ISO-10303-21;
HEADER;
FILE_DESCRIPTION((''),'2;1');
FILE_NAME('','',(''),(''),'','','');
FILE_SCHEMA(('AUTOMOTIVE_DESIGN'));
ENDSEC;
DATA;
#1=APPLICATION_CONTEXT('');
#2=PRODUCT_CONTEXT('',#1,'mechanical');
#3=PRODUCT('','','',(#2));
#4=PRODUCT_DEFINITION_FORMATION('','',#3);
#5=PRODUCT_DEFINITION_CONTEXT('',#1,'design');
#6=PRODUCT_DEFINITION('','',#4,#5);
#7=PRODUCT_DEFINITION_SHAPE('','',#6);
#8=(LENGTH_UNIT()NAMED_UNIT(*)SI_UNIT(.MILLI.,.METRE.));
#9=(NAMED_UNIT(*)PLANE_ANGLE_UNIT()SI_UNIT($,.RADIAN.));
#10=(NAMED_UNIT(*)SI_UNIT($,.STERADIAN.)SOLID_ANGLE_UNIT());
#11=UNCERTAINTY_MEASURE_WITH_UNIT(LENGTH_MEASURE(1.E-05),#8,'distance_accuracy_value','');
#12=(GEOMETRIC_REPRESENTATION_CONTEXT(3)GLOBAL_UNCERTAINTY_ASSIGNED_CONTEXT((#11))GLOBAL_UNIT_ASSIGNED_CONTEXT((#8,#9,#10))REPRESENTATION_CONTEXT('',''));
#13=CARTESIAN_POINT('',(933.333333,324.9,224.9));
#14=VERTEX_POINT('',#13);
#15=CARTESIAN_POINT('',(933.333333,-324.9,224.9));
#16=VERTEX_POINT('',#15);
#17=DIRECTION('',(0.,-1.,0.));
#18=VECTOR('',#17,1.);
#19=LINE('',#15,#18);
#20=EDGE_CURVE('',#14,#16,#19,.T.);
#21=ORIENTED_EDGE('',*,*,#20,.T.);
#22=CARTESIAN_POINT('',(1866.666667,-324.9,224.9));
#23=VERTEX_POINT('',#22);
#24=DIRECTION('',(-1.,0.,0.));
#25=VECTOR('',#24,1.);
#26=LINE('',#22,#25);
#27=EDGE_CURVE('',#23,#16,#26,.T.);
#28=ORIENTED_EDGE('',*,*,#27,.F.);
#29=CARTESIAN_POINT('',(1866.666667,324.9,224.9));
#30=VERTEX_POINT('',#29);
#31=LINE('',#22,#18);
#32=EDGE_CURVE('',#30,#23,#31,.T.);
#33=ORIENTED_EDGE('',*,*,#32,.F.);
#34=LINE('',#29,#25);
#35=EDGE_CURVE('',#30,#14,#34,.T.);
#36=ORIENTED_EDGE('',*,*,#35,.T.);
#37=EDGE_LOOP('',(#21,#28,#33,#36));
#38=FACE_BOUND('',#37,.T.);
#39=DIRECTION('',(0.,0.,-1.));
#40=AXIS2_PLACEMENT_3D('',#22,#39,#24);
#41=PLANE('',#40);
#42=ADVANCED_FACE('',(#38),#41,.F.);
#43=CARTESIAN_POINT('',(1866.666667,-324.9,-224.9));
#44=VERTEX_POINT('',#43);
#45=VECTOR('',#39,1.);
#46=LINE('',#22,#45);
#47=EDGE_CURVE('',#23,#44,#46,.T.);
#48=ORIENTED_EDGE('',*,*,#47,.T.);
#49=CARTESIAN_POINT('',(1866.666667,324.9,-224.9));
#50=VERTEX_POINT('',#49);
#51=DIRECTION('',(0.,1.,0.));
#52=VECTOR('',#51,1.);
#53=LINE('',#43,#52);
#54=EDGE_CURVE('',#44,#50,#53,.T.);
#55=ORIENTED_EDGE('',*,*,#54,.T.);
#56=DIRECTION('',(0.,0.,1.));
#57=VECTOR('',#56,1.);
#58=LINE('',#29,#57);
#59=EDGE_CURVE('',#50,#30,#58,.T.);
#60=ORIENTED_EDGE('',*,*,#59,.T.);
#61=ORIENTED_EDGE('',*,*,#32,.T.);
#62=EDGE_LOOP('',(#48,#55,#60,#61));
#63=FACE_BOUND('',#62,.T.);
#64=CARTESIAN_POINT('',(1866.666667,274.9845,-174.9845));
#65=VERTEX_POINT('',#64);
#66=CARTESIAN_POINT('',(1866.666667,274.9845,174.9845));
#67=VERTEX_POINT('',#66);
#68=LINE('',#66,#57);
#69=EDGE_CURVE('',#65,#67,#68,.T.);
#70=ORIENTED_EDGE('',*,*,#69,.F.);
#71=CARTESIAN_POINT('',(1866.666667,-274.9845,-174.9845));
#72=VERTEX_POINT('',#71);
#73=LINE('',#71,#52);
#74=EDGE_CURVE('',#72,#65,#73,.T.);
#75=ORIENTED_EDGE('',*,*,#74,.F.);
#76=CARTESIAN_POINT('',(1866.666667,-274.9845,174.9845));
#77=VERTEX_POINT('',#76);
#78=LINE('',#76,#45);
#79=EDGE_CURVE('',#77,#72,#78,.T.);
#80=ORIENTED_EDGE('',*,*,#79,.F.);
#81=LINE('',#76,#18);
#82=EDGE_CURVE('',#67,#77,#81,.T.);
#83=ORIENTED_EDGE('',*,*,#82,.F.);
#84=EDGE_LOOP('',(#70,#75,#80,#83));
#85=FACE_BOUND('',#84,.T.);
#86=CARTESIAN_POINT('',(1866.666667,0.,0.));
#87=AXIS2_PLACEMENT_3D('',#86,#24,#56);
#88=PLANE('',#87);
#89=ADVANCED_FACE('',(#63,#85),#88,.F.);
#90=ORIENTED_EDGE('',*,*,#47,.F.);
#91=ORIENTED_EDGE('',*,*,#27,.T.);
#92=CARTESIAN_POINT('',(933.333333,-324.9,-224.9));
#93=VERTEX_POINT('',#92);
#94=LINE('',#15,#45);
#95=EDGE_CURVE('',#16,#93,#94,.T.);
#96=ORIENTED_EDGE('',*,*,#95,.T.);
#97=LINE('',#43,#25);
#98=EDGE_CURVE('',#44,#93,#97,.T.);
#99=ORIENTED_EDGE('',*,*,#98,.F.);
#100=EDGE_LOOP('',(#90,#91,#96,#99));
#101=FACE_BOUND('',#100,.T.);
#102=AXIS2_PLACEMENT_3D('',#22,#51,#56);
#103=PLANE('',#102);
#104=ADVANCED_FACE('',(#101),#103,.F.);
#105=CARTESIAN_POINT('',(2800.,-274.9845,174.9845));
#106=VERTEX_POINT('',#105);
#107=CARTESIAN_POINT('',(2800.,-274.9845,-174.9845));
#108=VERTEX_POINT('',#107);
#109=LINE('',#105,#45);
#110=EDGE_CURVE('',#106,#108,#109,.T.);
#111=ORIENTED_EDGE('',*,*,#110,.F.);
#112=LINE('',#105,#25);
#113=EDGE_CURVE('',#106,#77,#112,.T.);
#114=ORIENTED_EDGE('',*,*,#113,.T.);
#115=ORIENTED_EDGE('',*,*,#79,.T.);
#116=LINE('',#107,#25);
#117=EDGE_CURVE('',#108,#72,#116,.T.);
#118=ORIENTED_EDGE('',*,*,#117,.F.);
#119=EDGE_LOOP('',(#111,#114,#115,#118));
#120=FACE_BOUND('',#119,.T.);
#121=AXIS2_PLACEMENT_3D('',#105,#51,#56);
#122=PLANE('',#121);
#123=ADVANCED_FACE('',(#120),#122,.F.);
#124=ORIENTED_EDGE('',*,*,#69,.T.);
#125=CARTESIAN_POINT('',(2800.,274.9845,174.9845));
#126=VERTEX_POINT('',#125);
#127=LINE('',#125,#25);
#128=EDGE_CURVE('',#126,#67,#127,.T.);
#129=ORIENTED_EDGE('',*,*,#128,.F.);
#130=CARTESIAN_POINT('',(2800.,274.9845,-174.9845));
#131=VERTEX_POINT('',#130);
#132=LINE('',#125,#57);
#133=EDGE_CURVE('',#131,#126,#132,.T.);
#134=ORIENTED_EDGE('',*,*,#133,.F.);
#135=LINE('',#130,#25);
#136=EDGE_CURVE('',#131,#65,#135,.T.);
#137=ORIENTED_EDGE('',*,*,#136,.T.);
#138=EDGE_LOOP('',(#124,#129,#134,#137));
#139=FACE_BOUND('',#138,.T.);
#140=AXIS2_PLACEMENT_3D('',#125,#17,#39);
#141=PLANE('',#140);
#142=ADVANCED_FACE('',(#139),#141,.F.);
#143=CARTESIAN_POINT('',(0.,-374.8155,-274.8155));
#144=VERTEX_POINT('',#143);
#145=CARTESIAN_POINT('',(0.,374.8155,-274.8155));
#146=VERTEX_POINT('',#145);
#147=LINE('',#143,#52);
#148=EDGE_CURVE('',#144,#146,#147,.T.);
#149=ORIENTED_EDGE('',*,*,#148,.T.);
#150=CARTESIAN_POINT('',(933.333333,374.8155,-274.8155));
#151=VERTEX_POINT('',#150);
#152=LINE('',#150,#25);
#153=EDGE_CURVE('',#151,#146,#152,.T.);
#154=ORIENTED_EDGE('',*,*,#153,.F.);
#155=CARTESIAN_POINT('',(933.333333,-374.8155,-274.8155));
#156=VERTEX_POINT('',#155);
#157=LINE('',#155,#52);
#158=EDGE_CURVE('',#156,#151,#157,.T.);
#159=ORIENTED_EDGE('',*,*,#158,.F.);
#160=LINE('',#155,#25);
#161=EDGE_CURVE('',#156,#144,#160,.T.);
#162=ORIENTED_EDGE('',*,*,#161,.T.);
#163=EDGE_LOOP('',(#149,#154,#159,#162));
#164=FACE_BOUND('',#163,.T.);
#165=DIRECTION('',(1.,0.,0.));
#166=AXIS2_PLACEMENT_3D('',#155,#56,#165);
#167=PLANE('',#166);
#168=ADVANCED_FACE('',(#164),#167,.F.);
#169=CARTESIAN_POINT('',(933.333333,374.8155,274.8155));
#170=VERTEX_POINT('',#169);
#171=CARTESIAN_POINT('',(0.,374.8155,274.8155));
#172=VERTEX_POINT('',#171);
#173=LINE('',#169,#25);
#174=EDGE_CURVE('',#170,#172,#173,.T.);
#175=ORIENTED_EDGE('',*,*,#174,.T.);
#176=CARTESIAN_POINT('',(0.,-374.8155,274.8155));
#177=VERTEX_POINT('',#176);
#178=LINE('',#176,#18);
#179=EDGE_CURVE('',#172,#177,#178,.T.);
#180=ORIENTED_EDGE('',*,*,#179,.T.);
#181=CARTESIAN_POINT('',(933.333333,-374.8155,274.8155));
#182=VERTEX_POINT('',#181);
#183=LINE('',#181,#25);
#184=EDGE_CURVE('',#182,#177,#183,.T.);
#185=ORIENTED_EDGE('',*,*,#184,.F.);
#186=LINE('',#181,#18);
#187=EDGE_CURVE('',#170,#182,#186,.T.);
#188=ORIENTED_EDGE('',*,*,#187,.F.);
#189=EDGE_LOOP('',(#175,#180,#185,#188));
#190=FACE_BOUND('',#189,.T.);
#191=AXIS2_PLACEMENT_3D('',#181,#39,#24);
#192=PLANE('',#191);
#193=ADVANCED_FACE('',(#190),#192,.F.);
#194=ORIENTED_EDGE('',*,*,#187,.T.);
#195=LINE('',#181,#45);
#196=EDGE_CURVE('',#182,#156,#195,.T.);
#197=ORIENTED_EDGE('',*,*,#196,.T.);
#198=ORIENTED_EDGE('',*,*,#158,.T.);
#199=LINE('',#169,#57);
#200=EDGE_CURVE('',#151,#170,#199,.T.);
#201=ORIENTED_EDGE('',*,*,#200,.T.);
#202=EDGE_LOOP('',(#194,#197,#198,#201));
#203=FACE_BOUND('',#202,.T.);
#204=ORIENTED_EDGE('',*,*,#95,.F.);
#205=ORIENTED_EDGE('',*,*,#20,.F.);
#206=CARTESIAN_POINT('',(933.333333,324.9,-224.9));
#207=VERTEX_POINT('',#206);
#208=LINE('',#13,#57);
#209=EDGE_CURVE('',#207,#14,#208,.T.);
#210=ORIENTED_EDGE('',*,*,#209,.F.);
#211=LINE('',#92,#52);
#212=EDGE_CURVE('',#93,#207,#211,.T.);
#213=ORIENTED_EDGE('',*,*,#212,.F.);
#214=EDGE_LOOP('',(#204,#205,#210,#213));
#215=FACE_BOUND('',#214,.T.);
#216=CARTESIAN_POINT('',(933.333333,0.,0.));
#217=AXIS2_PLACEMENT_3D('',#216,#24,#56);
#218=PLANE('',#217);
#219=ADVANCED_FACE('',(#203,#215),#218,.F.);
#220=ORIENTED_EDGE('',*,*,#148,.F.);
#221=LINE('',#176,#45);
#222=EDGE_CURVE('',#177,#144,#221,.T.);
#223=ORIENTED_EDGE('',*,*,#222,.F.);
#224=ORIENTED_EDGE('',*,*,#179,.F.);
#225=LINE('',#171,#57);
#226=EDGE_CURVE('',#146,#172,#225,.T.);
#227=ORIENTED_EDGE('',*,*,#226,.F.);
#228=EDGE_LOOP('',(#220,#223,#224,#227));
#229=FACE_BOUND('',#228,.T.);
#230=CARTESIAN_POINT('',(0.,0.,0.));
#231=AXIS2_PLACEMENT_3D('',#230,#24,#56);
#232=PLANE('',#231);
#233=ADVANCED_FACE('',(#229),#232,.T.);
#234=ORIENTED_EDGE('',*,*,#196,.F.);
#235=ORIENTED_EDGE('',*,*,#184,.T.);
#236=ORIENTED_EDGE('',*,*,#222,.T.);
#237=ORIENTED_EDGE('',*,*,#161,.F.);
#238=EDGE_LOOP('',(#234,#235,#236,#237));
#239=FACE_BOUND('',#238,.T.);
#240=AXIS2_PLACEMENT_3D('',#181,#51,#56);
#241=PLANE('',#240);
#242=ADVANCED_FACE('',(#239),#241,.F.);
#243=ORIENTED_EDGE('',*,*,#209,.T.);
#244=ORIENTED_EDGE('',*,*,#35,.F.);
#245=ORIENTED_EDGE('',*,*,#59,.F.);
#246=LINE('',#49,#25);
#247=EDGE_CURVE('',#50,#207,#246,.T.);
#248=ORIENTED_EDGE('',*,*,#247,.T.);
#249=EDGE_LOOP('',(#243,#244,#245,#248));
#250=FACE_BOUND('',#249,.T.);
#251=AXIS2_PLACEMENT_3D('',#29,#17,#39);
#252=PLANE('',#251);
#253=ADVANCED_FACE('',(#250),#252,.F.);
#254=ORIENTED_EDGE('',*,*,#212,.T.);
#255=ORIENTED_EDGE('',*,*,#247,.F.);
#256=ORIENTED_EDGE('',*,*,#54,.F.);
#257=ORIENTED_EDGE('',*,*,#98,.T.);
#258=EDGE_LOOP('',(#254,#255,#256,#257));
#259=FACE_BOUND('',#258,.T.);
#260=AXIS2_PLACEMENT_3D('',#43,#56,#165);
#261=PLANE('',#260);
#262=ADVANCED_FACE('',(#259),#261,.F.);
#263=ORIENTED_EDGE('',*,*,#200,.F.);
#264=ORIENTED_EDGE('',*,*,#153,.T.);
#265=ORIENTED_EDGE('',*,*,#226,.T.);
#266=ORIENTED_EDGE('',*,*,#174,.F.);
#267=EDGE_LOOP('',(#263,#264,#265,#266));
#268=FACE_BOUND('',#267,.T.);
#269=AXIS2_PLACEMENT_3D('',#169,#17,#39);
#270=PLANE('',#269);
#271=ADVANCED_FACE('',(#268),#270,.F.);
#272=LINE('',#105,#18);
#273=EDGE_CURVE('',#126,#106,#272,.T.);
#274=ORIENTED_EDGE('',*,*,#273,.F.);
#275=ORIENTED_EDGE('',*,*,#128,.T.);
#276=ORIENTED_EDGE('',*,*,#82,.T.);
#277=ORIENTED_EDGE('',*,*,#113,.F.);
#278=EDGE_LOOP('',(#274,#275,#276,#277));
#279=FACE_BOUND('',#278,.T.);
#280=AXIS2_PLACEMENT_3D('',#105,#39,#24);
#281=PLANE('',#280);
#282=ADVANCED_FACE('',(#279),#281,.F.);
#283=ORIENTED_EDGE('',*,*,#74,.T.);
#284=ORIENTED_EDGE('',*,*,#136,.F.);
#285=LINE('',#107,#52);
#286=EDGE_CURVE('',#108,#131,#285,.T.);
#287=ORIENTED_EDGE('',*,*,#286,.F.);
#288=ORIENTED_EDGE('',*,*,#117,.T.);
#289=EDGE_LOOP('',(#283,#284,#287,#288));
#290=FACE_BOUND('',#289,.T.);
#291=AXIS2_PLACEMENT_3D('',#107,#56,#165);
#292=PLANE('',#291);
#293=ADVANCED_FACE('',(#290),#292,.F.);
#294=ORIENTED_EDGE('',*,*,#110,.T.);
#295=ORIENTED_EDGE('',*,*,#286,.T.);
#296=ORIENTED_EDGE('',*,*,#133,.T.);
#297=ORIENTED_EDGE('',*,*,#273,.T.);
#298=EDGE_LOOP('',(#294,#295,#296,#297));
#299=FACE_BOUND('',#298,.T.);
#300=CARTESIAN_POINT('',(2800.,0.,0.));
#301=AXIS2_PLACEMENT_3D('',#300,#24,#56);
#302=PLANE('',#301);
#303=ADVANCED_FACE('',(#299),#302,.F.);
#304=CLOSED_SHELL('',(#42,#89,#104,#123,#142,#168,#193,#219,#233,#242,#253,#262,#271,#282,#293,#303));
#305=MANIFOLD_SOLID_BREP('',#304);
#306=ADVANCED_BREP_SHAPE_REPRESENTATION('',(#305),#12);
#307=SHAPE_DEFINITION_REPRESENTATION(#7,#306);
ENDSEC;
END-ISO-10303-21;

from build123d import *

# Parameters (mm, degrees)
SKETCH1_W           = 549.631
SKETCH1_H           = 749.631
BOSS_EXTRUDE1_DEPTH = 933.333333333
SKETCH2_W           = 449.8
SKETCH2_H           = 649.8
BOSS_EXTRUDE2_DEPTH = 933.333333333
SKETCH3_W           = 349.969
SKETCH3_H           = 549.969
BOSS_EXTRUDE3_DEPTH = 933.333333333


with BuildPart() as part:
    # Sketch1 → Boss-Extrude1 (new body)
    with BuildSketch(Plane(origin=(0, 0, 0), x_dir=(0, 0, -1), z_dir=(1, 0, 0))):
        Rectangle(SKETCH1_W, SKETCH1_H)
    extrude(amount=BOSS_EXTRUDE1_DEPTH)

    # Sketch2 → Boss-Extrude2 (add)
    with BuildSketch(Plane(origin=(933.333333333, 0, 0), x_dir=(0, 0, -1), z_dir=(1, 0, 0))):
        Rectangle(SKETCH2_W, SKETCH2_H)
    extrude(amount=BOSS_EXTRUDE2_DEPTH)

    # Sketch3 → Boss-Extrude3 (add)
    with BuildSketch(Plane(origin=(1866.666666667, 0, 0), x_dir=(0, 0, -1), z_dir=(1, 0, 0))):
        Rectangle(SKETCH3_W, SKETCH3_H)
    extrude(amount=BOSS_EXTRUDE3_DEPTH)


solid = part.part
